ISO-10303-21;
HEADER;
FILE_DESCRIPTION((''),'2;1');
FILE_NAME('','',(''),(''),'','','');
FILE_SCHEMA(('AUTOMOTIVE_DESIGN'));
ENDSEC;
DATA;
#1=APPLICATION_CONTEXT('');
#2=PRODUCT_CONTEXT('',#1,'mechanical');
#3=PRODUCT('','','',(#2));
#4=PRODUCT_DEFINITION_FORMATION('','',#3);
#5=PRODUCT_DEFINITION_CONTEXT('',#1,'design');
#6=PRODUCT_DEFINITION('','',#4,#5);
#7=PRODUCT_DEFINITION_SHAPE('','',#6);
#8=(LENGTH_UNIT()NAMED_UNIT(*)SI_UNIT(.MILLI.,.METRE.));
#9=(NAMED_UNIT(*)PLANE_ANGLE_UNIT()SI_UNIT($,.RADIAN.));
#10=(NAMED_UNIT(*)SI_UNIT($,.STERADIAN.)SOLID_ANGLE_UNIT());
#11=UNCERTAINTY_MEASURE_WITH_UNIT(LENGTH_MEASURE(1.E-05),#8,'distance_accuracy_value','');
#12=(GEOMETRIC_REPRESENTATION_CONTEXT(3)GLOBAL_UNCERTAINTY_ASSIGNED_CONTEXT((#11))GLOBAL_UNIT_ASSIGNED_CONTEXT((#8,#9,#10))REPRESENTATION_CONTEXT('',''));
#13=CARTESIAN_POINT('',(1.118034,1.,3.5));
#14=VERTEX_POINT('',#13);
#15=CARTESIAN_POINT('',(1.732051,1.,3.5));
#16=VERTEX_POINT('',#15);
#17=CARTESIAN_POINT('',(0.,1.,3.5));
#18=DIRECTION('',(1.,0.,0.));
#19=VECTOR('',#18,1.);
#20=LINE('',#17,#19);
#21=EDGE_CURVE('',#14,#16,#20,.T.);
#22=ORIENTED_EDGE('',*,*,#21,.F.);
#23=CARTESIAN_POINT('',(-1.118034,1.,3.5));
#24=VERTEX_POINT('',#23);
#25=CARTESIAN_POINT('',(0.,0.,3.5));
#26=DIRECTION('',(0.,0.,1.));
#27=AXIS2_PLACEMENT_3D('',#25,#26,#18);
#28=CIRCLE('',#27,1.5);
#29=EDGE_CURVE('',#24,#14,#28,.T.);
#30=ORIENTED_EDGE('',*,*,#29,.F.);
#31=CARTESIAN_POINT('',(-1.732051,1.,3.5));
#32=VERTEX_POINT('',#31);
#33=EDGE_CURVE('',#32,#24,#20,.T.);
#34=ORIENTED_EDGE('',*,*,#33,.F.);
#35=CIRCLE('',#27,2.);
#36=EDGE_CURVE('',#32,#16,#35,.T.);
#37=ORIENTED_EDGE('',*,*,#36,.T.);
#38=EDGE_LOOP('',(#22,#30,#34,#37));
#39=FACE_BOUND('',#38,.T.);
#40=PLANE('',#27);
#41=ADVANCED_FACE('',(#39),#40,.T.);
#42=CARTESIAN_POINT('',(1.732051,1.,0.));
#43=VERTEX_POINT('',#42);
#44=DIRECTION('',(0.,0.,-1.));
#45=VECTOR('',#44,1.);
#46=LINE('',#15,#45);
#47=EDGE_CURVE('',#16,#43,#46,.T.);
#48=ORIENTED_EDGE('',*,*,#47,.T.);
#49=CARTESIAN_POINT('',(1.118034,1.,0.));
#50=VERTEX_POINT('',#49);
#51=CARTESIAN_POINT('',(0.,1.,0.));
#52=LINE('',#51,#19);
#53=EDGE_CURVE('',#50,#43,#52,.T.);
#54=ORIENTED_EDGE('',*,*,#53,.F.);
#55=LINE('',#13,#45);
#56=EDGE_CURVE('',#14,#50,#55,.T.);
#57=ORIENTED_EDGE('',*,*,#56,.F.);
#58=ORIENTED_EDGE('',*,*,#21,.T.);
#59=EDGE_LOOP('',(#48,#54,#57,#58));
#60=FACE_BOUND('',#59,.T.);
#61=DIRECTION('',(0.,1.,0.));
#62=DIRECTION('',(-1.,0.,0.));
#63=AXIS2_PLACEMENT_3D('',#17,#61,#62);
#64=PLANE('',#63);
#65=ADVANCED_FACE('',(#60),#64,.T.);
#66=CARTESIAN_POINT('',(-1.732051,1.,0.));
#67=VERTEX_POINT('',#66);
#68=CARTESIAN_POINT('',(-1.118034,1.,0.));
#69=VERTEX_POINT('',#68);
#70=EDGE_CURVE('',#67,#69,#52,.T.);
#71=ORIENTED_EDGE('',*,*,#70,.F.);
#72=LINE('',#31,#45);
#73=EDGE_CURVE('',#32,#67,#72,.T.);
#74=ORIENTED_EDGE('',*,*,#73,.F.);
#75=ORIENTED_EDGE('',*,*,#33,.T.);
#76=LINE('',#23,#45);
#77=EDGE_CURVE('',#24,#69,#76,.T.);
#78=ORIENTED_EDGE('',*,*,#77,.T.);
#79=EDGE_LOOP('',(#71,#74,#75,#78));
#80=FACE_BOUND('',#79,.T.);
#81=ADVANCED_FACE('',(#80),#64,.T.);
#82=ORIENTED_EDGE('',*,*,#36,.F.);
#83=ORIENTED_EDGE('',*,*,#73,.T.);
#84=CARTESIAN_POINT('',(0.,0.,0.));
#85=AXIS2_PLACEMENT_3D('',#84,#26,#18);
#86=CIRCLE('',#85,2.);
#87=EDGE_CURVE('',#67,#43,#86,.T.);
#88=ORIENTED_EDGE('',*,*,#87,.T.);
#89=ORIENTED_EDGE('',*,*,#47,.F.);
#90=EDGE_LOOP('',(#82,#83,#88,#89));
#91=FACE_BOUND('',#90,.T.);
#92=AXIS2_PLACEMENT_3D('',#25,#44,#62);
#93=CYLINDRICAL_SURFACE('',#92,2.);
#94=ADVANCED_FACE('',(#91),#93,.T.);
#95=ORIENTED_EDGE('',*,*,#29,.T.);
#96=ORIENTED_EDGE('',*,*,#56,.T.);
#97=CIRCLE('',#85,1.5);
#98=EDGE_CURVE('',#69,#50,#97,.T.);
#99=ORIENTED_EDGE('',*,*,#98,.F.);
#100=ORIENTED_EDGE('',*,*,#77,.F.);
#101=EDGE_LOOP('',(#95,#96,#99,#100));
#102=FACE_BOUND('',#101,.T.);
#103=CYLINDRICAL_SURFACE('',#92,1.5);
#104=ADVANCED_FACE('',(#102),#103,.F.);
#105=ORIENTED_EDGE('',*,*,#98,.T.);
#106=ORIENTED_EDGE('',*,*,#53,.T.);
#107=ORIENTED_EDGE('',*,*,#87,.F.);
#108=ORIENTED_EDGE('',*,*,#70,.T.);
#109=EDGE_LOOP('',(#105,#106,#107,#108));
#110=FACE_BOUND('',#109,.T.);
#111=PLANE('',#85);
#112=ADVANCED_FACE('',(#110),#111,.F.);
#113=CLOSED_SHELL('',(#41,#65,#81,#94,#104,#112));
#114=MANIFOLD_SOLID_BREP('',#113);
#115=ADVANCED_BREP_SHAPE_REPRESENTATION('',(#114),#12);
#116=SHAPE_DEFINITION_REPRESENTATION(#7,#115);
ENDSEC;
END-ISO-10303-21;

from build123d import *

# Parameters (mm, degrees)
EXTRUDE_1_DEPTH = 3.5


with BuildPart() as part:
    # 草图1 → 凸台-拉伸1 (new body)
    with BuildSketch(Plane.XY):
        with BuildLine():
            Line((-1.118033989, 1), (-1.732050808, 1))
            ThreePointArc((-1.732050808, 1), (-0.51763809, -1.931851653), (2, 0))
            ThreePointArc((2, 0), (1.931851653, 0.51763809), (1.732050808, 1))
            Line((1.732050808, 1), (1.118033989, 1))
            ThreePointArc((1.118033989, 1), (1.401258538, 0.535233135), (1.5, 0))
            ThreePointArc((1.5, 0), (-0.535233135, -1.401258538), (-1.118033989, 1))
        make_face()
    extrude(amount=EXTRUDE_1_DEPTH)


solid = part.part
